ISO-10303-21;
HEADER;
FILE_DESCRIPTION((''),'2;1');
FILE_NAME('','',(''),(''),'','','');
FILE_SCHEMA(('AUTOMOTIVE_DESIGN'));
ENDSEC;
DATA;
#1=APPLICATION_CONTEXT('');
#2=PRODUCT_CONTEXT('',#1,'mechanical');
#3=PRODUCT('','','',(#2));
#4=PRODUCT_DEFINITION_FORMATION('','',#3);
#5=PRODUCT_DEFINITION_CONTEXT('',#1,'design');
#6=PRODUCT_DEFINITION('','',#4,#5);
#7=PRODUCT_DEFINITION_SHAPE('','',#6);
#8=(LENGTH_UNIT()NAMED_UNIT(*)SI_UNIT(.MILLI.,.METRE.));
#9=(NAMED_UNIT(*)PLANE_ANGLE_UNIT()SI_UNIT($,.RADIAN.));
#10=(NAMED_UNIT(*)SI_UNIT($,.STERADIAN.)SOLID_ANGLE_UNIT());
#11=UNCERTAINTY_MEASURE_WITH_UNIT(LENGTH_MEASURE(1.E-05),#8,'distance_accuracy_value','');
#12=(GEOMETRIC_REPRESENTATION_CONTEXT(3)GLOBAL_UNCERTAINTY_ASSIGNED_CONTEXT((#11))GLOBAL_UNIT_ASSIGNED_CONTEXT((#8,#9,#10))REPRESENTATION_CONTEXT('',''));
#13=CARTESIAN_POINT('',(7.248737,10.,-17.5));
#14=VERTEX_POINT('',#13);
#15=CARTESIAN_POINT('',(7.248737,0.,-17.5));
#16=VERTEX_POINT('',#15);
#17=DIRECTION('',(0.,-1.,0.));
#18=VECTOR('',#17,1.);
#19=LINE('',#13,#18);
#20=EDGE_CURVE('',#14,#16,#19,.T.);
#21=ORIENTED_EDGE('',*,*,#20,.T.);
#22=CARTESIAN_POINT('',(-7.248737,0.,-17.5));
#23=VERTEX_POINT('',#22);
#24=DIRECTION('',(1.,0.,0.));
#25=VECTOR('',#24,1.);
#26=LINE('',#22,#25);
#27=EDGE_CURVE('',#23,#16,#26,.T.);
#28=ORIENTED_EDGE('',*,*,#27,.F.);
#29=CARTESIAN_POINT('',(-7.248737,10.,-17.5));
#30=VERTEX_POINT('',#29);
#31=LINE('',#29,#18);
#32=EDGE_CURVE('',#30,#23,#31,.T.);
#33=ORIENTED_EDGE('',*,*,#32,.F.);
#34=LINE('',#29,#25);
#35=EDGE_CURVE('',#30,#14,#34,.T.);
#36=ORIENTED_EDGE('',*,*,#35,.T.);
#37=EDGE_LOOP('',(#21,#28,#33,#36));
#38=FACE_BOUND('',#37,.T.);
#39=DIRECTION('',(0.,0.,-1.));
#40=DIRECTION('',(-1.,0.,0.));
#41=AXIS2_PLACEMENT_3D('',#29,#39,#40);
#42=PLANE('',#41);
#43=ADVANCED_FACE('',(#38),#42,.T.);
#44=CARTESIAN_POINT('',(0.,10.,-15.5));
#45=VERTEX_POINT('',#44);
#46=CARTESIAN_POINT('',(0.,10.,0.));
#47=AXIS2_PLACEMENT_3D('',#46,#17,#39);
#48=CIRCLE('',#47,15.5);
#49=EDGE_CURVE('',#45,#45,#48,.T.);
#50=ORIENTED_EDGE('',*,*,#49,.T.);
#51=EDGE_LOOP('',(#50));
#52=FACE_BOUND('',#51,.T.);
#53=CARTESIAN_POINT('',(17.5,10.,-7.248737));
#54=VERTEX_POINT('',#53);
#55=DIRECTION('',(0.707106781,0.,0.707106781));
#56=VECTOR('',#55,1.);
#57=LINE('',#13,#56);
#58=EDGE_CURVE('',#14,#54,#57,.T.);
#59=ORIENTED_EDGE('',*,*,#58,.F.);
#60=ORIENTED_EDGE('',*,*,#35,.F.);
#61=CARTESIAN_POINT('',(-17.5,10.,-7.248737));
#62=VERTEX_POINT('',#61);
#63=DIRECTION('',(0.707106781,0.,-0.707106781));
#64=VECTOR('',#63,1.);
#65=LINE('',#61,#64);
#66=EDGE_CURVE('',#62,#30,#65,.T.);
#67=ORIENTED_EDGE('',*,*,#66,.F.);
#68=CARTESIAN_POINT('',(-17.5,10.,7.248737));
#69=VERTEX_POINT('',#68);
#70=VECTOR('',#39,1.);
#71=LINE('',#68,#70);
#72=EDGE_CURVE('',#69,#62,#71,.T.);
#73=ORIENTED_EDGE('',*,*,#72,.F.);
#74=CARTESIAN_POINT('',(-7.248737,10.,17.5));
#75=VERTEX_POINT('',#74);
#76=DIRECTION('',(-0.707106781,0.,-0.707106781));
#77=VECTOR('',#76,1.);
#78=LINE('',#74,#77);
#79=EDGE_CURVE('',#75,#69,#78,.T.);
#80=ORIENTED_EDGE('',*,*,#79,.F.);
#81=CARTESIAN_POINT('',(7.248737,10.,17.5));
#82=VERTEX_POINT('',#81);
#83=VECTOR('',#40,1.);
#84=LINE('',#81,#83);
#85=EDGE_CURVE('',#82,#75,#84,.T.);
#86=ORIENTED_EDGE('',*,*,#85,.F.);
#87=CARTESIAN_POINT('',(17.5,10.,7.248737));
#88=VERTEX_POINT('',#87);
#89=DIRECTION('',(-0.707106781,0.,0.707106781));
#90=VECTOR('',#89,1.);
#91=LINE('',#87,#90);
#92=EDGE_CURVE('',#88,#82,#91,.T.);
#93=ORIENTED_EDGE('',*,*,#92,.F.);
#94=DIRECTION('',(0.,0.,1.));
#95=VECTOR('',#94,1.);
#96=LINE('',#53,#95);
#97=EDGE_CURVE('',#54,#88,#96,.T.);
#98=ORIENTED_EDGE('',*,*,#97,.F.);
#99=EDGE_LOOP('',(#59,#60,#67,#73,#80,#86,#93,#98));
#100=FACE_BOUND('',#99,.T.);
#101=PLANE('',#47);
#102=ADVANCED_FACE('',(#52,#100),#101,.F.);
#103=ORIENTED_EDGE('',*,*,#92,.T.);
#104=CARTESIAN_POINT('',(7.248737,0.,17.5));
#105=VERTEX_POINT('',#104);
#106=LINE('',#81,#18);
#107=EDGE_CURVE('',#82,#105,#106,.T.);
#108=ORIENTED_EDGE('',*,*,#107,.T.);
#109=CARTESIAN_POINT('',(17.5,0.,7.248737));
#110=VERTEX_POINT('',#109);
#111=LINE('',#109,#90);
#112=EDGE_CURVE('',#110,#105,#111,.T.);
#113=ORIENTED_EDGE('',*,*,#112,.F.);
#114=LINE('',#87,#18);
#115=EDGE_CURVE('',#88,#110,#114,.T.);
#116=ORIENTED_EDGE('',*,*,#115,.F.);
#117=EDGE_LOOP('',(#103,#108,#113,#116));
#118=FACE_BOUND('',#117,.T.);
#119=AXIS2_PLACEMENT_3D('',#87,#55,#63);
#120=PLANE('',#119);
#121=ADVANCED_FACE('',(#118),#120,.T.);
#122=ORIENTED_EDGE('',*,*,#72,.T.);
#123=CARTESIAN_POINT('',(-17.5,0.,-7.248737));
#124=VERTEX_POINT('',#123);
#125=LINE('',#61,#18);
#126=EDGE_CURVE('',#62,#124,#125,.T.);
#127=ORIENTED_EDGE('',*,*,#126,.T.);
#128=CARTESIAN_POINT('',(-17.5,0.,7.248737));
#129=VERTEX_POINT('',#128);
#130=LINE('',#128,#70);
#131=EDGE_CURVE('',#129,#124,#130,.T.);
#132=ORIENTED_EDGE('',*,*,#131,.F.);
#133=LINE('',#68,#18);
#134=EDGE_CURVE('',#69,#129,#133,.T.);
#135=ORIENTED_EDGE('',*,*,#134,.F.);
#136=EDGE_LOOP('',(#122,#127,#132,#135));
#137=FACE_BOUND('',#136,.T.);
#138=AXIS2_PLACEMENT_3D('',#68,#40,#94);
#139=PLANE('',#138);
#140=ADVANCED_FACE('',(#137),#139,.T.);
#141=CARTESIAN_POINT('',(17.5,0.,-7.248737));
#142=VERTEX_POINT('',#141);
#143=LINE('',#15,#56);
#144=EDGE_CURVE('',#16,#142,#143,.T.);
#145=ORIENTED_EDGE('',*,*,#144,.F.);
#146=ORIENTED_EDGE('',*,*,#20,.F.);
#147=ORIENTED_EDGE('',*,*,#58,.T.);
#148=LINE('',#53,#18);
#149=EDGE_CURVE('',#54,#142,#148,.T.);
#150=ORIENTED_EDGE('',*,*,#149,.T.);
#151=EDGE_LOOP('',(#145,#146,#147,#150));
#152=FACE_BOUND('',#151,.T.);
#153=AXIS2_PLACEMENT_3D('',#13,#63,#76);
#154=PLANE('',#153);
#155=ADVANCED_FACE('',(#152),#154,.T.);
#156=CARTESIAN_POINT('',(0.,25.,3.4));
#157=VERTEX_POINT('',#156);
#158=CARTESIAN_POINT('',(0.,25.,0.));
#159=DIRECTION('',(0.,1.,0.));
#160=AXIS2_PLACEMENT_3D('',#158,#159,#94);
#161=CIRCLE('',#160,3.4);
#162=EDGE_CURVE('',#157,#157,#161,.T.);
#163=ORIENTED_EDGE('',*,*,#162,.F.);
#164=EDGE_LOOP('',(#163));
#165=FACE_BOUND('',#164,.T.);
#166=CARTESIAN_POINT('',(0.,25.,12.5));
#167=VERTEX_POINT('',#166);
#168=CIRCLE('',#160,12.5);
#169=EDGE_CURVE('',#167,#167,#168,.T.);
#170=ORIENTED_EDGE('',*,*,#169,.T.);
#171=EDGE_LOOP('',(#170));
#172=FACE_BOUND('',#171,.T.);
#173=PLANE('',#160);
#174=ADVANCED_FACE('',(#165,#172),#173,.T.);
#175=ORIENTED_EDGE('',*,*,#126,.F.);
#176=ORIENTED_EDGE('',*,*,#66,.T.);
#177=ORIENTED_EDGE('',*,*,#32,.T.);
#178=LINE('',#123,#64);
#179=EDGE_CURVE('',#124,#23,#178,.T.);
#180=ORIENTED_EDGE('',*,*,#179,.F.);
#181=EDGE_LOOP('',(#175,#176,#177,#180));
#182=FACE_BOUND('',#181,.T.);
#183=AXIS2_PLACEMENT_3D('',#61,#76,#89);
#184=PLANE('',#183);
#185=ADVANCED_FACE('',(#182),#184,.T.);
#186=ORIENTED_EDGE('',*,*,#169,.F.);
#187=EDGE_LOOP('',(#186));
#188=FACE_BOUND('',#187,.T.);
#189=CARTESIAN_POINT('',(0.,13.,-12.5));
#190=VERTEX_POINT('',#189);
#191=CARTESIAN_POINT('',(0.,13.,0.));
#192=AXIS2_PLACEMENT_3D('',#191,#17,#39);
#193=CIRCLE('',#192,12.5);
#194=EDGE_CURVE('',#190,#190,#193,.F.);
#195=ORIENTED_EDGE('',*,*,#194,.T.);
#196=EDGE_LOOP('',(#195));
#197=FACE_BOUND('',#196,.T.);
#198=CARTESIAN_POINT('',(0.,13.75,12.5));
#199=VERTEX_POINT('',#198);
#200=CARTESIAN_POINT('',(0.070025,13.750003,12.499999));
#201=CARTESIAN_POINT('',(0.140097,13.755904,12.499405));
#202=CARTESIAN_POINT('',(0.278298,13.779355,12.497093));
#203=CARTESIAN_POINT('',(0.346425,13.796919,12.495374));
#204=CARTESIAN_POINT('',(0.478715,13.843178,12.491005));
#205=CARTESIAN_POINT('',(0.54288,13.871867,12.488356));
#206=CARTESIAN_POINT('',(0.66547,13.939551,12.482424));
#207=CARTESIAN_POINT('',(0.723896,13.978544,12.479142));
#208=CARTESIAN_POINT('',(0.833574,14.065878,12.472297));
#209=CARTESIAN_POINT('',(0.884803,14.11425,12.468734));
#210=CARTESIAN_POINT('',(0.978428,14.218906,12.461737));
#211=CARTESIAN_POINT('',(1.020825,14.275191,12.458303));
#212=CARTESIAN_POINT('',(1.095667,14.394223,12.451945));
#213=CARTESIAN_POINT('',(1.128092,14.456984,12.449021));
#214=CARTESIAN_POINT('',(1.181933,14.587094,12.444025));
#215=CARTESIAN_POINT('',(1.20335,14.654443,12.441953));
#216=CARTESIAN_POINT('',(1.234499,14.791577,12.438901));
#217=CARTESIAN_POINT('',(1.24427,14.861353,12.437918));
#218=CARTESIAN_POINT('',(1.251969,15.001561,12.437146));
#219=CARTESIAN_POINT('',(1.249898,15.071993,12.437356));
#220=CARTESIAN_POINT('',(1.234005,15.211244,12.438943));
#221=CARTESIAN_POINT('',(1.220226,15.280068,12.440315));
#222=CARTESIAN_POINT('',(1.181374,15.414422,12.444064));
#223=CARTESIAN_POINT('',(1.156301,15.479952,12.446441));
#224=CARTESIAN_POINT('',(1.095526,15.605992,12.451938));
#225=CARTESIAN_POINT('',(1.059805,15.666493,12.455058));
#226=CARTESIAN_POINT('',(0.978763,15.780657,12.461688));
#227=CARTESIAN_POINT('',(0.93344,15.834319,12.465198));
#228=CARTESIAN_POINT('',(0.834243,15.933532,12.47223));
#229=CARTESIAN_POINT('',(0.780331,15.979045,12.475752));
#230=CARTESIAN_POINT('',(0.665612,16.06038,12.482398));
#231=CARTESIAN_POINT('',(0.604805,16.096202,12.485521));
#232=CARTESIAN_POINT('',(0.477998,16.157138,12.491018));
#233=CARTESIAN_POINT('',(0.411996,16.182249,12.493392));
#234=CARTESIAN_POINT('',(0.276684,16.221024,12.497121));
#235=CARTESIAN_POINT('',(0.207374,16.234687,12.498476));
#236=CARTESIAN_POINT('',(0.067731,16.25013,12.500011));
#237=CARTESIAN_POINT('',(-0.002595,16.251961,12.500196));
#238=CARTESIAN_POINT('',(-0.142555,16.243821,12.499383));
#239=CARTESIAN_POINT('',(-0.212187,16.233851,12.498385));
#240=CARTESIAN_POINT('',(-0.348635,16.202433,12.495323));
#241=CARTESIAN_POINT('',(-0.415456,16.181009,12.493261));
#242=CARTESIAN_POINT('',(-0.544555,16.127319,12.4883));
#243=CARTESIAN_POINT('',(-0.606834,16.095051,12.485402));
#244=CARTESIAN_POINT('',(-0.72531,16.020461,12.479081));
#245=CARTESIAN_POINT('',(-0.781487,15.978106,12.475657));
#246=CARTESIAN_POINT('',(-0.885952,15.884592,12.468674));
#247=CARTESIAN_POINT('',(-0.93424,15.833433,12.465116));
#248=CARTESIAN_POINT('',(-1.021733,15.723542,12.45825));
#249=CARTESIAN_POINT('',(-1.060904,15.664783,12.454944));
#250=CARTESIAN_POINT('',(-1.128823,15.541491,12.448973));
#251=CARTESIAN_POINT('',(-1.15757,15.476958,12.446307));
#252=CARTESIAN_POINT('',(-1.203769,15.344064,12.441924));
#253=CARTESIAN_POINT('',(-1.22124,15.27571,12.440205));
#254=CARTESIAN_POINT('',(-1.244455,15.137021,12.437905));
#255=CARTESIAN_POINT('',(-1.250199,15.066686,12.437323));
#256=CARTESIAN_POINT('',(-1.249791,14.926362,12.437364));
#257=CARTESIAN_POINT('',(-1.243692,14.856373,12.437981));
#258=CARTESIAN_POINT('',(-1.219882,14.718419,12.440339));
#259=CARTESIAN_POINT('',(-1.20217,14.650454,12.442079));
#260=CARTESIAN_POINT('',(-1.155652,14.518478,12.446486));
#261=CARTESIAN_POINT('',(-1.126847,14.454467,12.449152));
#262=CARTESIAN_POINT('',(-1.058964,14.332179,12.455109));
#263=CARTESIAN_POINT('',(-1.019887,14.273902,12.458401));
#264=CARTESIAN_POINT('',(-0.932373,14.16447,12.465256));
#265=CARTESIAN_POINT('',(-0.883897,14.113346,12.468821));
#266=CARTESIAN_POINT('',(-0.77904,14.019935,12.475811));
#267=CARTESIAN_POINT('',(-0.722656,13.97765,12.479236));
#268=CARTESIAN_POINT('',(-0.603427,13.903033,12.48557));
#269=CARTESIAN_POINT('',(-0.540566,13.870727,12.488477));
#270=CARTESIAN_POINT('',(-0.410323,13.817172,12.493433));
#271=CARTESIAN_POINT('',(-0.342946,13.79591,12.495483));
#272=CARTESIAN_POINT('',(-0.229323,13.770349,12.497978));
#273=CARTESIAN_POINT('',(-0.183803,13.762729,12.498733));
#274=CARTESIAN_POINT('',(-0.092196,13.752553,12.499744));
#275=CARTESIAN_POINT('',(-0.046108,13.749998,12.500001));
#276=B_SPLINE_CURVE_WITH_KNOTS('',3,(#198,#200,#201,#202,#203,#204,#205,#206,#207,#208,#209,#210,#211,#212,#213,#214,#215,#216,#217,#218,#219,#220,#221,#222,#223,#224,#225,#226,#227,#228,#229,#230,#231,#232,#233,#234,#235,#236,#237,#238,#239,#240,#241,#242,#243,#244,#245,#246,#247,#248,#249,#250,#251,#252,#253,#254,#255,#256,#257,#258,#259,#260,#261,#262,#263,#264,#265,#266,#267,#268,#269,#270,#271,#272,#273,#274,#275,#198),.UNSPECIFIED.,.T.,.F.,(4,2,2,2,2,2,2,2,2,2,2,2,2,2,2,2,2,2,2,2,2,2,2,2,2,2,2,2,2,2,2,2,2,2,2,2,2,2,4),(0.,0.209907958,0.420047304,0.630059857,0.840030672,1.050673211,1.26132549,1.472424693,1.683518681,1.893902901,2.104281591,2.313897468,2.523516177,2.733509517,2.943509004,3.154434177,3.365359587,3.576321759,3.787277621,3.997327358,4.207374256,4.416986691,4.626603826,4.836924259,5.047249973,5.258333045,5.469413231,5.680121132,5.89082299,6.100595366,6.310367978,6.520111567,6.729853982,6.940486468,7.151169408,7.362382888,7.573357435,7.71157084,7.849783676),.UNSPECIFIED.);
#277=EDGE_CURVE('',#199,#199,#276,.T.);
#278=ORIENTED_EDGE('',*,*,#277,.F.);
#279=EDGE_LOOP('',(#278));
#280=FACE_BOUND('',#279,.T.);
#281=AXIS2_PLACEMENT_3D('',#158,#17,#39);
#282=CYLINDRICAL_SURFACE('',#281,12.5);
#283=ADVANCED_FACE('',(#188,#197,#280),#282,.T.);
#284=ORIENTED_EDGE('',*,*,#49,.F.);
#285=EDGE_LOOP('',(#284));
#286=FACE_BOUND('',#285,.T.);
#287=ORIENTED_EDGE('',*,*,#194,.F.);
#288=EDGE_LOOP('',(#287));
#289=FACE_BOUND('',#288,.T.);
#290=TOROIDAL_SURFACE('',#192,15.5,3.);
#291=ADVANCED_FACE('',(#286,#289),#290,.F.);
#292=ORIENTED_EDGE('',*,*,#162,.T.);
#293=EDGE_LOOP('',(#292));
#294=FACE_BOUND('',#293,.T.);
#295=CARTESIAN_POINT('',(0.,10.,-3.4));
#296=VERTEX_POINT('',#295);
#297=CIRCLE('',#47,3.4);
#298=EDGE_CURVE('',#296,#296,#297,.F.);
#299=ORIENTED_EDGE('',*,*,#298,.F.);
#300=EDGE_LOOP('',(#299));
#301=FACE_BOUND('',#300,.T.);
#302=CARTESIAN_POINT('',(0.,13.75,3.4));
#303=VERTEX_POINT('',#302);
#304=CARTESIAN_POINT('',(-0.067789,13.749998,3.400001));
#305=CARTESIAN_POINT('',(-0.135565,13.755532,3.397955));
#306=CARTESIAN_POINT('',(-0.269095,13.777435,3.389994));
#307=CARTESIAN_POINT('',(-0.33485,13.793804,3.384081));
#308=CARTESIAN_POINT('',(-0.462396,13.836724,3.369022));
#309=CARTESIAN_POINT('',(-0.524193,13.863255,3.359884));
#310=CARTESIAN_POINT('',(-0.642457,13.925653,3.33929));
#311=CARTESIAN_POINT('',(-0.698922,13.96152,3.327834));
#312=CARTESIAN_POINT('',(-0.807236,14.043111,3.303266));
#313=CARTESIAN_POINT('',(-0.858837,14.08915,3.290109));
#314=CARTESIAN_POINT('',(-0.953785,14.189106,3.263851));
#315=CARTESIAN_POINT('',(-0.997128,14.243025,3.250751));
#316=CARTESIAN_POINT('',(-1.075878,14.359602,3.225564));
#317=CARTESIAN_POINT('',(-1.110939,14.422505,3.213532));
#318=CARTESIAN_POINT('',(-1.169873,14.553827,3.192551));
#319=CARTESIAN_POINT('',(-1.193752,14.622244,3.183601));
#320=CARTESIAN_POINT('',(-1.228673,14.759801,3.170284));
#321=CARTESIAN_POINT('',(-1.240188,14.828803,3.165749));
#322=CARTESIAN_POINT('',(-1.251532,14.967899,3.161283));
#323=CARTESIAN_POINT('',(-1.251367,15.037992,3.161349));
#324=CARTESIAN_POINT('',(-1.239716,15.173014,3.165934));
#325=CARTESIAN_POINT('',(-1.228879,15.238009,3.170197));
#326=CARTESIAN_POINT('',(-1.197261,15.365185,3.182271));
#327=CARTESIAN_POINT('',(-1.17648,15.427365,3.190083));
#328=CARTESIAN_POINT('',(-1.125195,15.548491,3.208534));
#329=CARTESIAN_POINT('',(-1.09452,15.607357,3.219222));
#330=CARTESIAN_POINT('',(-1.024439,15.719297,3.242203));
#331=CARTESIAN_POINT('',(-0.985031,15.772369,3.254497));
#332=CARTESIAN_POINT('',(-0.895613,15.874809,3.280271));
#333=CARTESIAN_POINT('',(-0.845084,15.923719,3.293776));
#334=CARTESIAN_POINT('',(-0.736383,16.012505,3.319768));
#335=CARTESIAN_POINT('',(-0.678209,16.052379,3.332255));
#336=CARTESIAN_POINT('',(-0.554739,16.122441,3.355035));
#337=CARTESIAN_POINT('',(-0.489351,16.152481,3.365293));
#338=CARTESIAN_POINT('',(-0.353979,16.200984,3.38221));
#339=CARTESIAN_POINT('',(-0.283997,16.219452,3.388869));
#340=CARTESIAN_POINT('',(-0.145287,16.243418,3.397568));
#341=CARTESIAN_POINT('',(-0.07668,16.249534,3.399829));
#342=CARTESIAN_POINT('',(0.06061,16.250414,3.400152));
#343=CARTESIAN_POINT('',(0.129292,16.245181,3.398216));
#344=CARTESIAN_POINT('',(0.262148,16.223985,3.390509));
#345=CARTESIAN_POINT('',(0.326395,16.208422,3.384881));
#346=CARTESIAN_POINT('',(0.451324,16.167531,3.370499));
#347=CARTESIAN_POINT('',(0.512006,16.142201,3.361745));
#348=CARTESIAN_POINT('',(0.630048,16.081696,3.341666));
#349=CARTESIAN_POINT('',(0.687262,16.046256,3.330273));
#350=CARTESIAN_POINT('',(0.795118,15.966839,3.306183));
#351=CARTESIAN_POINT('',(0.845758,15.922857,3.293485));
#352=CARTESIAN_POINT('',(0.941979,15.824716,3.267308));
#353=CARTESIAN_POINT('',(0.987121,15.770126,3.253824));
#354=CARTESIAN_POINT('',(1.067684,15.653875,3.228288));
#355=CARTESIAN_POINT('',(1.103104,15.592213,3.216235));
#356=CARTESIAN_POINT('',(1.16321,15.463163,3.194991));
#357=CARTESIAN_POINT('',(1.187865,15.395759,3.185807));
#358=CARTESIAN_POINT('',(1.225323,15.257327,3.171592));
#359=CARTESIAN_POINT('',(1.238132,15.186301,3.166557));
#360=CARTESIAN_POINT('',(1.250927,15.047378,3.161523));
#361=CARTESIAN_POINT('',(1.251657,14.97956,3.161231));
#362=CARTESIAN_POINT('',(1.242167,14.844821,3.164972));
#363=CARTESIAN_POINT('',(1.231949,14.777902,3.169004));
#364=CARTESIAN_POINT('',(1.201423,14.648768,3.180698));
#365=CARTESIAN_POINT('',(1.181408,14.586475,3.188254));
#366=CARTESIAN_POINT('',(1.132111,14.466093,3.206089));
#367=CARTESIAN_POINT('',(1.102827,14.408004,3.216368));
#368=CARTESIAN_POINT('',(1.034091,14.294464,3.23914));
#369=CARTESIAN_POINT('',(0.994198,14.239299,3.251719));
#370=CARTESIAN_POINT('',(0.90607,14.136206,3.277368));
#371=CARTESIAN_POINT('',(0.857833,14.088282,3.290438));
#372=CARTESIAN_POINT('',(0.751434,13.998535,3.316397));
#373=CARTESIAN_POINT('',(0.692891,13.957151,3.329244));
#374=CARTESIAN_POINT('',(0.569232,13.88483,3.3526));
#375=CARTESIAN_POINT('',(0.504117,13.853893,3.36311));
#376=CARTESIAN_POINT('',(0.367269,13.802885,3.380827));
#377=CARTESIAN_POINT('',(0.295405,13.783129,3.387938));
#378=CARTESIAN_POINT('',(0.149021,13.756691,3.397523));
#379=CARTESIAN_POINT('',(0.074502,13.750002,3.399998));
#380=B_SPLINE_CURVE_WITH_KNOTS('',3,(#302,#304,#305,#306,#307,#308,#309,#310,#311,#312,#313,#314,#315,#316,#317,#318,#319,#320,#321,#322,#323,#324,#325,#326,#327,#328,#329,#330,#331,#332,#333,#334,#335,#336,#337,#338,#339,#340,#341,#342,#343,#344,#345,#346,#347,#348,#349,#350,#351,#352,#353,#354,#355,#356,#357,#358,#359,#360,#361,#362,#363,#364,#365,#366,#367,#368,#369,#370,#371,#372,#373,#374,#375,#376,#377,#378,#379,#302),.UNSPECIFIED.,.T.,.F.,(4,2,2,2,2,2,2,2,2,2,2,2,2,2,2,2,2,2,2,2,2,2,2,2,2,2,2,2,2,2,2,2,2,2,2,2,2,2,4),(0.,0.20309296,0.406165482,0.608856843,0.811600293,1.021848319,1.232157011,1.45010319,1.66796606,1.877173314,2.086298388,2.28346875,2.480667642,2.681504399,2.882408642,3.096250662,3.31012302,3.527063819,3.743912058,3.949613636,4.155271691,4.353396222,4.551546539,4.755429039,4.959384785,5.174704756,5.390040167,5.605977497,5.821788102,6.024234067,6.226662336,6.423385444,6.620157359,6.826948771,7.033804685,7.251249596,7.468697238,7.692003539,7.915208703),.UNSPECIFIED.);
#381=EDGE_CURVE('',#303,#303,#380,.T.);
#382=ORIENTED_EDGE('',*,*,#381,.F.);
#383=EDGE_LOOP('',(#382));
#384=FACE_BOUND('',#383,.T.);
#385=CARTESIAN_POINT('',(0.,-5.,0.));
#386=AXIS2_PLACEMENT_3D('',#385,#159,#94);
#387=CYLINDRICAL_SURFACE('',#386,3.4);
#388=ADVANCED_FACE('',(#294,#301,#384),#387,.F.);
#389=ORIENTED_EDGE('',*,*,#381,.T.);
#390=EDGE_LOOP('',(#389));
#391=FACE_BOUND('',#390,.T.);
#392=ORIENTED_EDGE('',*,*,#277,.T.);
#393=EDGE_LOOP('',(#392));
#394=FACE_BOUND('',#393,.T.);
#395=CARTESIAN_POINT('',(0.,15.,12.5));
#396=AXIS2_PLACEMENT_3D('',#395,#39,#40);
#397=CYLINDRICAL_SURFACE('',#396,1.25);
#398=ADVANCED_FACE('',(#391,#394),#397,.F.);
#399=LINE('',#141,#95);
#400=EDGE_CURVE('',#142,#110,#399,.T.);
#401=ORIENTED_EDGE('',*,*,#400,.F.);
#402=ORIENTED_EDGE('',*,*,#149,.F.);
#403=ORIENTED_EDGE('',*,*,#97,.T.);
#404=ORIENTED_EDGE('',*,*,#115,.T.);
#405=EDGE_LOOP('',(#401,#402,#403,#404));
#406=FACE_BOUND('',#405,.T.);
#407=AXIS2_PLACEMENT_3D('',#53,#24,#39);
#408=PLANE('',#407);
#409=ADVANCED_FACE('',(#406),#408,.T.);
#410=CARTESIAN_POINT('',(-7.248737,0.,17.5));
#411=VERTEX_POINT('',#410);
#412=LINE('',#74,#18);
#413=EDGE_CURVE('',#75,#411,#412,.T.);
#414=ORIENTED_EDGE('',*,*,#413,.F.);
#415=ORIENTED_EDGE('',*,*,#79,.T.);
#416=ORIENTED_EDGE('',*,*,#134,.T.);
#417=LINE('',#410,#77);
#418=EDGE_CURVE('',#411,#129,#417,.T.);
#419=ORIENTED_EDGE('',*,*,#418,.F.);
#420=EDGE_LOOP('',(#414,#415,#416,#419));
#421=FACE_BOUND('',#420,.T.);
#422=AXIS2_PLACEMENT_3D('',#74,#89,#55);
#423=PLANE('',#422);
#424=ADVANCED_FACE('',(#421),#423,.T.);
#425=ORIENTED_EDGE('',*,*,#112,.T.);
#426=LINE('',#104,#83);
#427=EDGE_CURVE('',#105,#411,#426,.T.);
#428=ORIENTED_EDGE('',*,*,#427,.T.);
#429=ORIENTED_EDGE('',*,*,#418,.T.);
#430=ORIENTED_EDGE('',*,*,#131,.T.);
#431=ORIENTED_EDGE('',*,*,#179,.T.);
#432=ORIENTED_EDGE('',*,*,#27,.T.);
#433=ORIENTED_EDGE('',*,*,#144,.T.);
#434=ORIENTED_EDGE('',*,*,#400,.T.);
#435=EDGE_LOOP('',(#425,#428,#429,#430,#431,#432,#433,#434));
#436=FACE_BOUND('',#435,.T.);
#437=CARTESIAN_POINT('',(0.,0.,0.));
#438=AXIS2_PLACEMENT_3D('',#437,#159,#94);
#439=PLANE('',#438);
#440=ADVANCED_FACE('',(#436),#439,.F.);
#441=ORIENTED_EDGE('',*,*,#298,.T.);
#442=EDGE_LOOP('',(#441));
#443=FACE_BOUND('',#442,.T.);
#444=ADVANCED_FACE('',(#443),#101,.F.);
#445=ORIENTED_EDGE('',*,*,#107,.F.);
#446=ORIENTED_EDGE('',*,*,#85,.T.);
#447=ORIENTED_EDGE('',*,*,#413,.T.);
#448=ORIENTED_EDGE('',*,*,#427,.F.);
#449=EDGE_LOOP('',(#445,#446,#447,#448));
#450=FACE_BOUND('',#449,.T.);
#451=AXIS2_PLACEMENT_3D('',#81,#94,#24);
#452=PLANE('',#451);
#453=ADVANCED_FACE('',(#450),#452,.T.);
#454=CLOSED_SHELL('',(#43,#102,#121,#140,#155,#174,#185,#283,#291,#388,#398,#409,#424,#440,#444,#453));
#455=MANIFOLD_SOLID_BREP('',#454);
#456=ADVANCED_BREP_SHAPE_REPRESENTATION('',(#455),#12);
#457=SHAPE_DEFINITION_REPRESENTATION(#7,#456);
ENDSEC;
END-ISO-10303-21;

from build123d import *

# Parameters (mm, degrees)
SKETCH2_R               = 12.5
BOSS_EXTRUDE2_DEPTH     = 25
SKETCH3_R               = 3.4
CUT_EXTRUDE1_DEPTH      = 30
SKETCH4_R               = 1.25
CUT_EXTRUDE2_DEPTH      = 13.5
CUT_EXTRUDE2_DEPTH_BACK = 2.5
BOSS_EXTRUDE3_DEPTH     = 10
FILLET2_R               = 3


with BuildPart() as part:
    # Sketch2 → Boss-Extrude2 (new body)
    with BuildSketch(Plane(origin=(0, 0, 0), x_dir=(1, 0, 0), z_dir=(0, 1, 0))):
        Circle(SKETCH2_R)
    extrude(amount=BOSS_EXTRUDE2_DEPTH)

    # Sketch3 → Cut-Extrude1 (cut)
    with BuildSketch(Plane(origin=(0, 25, 0), x_dir=(1, 0, 0), z_dir=(0, 1, 0))):
        Circle(SKETCH3_R)
    extrude(amount=-CUT_EXTRUDE1_DEPTH, mode=Mode.SUBTRACT)

    # Sketch4 → Cut-Extrude2 (cut, two sides)
    with BuildSketch(Plane.XY) as cut_extrude2_sk:
        with Locations((0, 15)):
            Circle(SKETCH4_R)
    extrude(amount=CUT_EXTRUDE2_DEPTH, mode=Mode.SUBTRACT)
    extrude(cut_extrude2_sk.sketch, amount=-CUT_EXTRUDE2_DEPTH_BACK, mode=Mode.SUBTRACT)

    # Sketch5 → Boss-Extrude3 (add)
    with BuildSketch(Plane.XZ):
        Polygon((7.248737342, -17.5), (17.5, -7.248737342), (17.5, 7.248737342), (7.248737342, 17.5), (-7.248737342, 17.5), (-17.5, 7.248737342), (-17.5, -7.248737342), (-7.248737342, -17.5), align=None)
    extrude(amount=-BOSS_EXTRUDE3_DEPTH)

    # Fillet2
    fillet2_edges = [part.edges().sort_by_distance(p)[0] for p in [
        (-12.5, 10, 0),
    ]]
    fillet(fillet2_edges, radius=FILLET2_R)


solid = part.part
